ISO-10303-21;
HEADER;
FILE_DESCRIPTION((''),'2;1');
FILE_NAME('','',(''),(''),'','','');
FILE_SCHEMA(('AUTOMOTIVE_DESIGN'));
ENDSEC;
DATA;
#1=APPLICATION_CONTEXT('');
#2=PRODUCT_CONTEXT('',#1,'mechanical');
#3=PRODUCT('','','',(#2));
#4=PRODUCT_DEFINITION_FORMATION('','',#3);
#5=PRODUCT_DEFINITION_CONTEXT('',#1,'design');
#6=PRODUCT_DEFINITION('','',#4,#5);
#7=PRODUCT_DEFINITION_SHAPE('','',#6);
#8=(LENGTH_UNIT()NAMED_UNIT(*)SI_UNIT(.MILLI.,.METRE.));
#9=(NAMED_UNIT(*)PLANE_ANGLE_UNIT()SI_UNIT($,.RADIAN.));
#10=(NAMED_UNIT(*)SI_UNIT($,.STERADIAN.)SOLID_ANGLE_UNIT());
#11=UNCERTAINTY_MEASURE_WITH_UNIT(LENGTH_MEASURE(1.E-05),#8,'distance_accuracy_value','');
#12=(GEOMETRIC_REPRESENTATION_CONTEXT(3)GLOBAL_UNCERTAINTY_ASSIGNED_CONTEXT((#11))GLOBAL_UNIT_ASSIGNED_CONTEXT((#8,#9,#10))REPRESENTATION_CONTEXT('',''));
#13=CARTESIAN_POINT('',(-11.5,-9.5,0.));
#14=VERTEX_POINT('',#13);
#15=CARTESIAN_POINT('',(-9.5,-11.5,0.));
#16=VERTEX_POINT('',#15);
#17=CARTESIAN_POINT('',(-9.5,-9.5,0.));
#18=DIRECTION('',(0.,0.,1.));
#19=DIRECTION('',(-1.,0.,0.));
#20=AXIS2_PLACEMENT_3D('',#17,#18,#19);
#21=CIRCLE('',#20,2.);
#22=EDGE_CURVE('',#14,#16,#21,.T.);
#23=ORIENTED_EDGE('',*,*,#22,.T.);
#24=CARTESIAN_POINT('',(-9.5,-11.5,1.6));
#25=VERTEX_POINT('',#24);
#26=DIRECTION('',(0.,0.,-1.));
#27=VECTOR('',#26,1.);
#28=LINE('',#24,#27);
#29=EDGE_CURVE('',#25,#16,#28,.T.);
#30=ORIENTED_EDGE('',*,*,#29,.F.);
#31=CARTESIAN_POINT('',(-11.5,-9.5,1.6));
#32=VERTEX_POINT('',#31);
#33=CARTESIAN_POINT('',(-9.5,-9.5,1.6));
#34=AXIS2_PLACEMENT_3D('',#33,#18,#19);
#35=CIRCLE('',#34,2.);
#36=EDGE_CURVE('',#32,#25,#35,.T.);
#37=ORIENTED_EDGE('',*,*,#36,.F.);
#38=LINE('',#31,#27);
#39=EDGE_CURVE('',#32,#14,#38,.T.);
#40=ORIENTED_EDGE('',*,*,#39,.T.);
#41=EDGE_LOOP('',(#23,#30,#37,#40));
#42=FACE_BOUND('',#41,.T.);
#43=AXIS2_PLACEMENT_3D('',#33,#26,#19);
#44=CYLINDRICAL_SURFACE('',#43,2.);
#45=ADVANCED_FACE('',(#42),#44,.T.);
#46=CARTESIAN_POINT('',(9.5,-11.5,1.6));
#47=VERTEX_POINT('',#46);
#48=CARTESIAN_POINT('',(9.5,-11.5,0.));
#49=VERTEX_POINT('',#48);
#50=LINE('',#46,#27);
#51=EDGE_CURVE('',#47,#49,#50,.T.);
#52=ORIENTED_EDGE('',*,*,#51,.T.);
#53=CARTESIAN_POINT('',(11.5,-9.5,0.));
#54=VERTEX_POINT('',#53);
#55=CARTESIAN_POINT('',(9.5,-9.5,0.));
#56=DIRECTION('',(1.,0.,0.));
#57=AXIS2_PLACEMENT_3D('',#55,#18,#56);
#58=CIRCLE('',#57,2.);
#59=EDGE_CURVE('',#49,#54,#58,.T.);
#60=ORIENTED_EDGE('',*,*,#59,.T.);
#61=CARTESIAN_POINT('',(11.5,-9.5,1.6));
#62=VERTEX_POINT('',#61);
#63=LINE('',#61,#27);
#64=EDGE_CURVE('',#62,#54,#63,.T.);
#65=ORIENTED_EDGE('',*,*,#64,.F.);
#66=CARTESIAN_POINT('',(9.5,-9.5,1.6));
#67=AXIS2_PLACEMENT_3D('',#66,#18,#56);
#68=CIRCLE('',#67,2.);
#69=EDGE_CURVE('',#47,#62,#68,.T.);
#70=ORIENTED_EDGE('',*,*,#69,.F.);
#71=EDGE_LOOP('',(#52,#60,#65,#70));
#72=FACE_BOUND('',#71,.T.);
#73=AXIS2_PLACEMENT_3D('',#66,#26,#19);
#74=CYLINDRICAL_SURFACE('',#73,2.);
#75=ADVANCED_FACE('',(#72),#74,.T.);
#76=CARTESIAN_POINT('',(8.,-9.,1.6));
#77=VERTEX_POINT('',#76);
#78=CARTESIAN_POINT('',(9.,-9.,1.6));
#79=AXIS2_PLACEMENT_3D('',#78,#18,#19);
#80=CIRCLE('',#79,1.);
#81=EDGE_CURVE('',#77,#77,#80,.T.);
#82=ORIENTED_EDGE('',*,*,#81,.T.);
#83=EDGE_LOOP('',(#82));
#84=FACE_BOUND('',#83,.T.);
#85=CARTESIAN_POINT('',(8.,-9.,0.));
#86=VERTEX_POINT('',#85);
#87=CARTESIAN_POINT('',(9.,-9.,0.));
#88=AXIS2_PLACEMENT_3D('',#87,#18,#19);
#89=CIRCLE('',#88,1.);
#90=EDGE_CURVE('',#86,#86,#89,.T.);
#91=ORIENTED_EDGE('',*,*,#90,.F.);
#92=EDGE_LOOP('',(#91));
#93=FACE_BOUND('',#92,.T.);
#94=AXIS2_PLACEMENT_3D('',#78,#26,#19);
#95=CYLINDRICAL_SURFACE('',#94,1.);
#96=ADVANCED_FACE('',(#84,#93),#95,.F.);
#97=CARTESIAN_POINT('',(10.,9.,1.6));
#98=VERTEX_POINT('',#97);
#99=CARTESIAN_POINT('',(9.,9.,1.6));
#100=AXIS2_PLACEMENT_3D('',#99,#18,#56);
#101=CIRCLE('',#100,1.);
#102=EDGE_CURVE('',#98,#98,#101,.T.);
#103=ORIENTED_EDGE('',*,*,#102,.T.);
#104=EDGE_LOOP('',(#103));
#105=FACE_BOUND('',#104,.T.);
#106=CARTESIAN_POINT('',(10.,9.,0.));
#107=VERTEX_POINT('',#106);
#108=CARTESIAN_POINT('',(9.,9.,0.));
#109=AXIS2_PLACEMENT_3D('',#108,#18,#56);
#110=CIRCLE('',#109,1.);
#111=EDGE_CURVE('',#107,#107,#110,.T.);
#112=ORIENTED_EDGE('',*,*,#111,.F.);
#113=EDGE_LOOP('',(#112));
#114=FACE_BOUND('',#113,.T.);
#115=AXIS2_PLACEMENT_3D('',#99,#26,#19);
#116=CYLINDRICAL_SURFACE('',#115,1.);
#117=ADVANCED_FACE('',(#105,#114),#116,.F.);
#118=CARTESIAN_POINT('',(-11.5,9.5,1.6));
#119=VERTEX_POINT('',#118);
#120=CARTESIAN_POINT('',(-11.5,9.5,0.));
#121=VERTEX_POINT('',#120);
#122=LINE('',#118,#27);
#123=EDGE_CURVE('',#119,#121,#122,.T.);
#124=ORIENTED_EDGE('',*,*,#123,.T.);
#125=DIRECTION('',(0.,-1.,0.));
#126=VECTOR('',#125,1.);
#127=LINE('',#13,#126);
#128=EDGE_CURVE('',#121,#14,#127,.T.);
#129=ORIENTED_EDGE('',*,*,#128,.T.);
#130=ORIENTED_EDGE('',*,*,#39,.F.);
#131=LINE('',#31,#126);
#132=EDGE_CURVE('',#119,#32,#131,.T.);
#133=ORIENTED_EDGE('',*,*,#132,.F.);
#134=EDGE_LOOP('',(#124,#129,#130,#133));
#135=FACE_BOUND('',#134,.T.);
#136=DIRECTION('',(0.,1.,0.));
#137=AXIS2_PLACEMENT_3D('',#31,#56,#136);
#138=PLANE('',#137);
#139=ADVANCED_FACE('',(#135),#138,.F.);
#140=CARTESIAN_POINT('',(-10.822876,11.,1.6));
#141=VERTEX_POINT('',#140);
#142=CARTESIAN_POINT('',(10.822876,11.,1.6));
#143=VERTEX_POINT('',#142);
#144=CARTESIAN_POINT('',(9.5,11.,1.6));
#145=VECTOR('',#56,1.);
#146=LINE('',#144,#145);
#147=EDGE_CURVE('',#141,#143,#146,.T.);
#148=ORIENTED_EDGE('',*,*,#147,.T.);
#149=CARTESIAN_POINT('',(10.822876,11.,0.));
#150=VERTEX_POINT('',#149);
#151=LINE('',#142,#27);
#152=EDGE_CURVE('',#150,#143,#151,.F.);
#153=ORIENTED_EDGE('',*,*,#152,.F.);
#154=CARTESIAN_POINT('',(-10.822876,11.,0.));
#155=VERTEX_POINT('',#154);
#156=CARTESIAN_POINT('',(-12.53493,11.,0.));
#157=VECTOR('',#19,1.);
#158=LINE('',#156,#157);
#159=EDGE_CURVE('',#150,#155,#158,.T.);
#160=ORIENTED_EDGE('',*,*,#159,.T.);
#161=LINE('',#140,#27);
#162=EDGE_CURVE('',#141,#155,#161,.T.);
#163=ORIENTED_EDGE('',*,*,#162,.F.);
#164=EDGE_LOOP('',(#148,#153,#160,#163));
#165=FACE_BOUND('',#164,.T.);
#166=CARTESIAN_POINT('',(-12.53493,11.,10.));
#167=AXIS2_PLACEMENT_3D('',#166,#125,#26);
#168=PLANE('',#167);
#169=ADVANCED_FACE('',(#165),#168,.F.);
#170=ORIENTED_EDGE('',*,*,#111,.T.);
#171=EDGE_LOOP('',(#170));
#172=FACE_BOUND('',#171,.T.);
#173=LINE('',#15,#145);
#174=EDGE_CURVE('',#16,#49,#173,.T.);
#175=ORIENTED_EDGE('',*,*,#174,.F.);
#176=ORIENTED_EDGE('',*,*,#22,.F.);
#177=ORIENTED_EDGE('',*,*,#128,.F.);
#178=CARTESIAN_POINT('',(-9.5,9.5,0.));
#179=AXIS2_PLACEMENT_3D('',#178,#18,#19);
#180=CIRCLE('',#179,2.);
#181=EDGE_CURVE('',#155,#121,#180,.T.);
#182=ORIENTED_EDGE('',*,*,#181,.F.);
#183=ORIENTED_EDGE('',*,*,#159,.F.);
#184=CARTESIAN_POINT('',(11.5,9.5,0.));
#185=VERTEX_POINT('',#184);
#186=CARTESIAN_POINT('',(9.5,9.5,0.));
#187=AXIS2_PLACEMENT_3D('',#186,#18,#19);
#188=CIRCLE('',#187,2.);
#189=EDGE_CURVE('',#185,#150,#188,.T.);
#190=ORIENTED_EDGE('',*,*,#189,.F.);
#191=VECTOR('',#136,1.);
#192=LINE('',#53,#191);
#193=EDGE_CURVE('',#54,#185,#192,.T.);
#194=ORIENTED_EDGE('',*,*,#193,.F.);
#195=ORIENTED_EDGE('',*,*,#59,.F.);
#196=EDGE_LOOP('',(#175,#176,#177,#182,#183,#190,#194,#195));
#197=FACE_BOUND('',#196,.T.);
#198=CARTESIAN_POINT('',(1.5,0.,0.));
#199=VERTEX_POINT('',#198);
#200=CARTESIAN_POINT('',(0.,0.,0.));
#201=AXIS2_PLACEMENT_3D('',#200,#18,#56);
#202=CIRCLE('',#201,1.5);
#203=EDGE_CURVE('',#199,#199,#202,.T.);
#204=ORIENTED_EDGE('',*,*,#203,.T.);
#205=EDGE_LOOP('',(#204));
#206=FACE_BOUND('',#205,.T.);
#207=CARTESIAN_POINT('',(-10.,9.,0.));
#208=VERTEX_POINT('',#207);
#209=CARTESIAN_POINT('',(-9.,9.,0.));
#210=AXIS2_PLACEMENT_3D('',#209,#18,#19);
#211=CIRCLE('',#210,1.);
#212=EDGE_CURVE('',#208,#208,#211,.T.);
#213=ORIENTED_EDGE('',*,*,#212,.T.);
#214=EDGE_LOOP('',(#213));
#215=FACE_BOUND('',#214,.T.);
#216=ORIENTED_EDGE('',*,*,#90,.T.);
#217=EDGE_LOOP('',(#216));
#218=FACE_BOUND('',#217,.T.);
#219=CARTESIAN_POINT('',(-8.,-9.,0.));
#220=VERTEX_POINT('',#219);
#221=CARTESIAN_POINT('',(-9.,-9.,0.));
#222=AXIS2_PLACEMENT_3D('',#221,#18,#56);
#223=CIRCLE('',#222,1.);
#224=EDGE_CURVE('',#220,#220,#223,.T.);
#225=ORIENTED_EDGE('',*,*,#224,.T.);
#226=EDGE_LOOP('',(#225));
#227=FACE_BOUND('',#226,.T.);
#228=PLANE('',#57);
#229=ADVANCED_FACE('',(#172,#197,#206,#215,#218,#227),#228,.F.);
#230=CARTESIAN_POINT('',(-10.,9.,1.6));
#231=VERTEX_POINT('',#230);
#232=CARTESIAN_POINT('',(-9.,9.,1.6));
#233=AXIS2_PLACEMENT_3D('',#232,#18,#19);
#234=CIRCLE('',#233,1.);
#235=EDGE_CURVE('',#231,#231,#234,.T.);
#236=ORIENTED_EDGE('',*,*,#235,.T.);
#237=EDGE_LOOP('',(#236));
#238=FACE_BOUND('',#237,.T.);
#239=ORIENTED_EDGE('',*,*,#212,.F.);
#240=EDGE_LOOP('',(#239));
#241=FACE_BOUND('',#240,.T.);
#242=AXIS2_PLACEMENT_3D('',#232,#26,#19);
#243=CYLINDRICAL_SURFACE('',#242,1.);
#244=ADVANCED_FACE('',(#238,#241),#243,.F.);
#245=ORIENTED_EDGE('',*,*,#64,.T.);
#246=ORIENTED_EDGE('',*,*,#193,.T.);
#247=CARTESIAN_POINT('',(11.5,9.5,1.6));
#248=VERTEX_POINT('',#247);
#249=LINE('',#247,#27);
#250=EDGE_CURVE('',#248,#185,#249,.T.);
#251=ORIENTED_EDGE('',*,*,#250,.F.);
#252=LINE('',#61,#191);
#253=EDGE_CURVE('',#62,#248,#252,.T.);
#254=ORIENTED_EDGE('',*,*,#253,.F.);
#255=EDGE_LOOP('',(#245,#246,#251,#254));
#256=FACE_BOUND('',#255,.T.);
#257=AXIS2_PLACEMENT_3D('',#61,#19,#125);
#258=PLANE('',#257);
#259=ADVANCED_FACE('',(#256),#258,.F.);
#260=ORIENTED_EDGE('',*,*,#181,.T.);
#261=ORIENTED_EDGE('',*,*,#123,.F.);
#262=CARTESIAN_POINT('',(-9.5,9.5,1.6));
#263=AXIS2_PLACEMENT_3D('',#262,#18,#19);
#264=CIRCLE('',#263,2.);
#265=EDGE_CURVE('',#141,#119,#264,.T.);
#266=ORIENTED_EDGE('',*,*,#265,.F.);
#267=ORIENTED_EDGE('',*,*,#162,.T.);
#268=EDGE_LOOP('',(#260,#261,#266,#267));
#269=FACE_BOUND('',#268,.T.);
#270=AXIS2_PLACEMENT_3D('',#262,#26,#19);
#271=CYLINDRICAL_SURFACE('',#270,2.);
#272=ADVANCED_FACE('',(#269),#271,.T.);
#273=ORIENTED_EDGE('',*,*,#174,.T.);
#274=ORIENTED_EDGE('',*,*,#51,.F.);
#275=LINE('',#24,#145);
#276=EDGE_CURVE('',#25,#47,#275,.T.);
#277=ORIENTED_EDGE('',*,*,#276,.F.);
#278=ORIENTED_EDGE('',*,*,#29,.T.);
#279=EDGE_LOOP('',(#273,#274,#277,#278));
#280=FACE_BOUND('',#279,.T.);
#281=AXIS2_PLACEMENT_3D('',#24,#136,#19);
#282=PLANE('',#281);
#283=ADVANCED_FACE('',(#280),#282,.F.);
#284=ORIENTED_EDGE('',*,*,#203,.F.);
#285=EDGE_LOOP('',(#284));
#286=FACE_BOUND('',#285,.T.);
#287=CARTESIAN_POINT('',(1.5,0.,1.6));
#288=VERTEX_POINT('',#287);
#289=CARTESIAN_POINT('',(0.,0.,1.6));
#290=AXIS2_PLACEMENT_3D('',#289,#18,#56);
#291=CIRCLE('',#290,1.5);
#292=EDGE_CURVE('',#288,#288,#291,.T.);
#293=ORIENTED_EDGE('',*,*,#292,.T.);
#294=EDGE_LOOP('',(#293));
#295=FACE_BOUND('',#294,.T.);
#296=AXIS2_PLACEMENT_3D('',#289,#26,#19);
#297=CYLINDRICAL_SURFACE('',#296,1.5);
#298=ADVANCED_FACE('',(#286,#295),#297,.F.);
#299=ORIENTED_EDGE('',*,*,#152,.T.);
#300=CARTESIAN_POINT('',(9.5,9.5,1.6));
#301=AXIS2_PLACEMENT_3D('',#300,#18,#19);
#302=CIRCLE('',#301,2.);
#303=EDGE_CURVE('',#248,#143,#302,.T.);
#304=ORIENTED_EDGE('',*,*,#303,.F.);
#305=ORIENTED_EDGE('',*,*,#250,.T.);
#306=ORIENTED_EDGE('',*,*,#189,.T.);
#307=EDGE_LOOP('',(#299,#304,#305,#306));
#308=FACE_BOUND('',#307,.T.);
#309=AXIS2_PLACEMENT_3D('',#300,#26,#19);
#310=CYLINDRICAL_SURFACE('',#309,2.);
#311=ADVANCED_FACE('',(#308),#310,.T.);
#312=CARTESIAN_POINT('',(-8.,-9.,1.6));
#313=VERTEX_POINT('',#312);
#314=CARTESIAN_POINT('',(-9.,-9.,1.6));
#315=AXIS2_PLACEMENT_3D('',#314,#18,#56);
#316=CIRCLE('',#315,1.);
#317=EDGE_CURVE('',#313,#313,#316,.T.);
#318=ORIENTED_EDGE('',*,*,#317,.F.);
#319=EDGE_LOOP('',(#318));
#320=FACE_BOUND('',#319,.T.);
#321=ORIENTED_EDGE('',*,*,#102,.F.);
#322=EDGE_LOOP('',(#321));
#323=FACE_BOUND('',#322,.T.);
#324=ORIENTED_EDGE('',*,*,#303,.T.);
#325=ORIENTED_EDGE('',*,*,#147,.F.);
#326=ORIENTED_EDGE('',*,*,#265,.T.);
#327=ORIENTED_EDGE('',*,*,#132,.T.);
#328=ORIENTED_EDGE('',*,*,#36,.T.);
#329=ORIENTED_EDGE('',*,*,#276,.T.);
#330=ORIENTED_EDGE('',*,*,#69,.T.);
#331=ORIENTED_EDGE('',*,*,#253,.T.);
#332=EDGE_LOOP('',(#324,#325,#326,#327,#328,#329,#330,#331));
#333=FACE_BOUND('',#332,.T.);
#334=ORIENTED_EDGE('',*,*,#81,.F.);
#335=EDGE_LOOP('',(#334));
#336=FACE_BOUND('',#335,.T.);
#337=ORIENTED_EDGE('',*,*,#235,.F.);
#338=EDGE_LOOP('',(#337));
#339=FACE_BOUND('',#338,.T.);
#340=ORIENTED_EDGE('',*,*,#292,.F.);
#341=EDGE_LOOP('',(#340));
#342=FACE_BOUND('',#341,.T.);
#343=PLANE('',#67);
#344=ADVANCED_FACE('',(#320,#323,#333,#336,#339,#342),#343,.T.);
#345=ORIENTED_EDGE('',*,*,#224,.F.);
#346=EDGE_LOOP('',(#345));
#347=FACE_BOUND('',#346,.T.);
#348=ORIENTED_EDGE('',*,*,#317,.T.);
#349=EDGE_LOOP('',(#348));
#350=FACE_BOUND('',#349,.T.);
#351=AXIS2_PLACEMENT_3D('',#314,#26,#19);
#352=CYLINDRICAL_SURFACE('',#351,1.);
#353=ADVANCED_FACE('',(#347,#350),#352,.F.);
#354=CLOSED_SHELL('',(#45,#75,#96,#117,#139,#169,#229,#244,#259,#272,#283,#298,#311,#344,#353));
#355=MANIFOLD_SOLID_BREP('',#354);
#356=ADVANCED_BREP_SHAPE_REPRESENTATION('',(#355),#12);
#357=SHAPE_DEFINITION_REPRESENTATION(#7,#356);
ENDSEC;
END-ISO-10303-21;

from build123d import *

# Parameters (mm, degrees)
SKETCH1_R           = 1.5
SKETCH1_R_2         = 1
BOSS_EXTRUDE1_DEPTH = 1.6
SKETCH3_W           = 30.784918317
SKETCH3_H           = 1.24969352
CUT_EXTRUDE2_DEPTH  = 10


with BuildPart() as part:
    # Sketch1 → Boss-Extrude1 (new body)
    with BuildSketch(Plane.XY):
        with BuildLine():
            Line((-9.5, -11.5), (9.5, -11.5))
            ThreePointArc((9.5, -11.5), (10.914213562, -10.914213562), (11.5, -9.5))
            Line((11.5, -9.5), (11.5, 9.5))
            ThreePointArc((11.5, 9.5), (10.914213562, 10.914213562), (9.5, 11.5))
            Line((9.5, 11.5), (-9.5, 11.5))
            ThreePointArc((-9.5, 11.5), (-10.914213562, 10.914213562), (-11.5, 9.5))
            Line((-11.5, 9.5), (-11.5, -9.5))
            ThreePointArc((-11.5, -9.5), (-10.914213562, -10.914213562), (-9.5, -11.5))
        make_face()
        Circle(SKETCH1_R, mode=Mode.SUBTRACT)
        with Locations((9, 9)):
            Circle(SKETCH1_R_2, mode=Mode.SUBTRACT)
        with Locations(Location((-9, 9, 0), (0, 0, 180))):
            Circle(SKETCH1_R_2, mode=Mode.SUBTRACT)
        with Locations((-9, -9)):
            Circle(SKETCH1_R_2, mode=Mode.SUBTRACT)
        with Locations(Location((9, -9, 0), (0, 0, 180))):
            Circle(SKETCH1_R_2, mode=Mode.SUBTRACT)
    extrude(amount=BOSS_EXTRUDE1_DEPTH)

    # Sketch3 → Cut-Extrude2 (cut)
    with BuildSketch(Plane(origin=(0, 0, 0), x_dir=(-1, 0, 0), z_dir=(0, 0, -1))):
        with Locations((-2.857529043, 11.62484676)):
            Rectangle(SKETCH3_W, SKETCH3_H)
    extrude(amount=-CUT_EXTRUDE2_DEPTH, mode=Mode.SUBTRACT)


solid = part.part
